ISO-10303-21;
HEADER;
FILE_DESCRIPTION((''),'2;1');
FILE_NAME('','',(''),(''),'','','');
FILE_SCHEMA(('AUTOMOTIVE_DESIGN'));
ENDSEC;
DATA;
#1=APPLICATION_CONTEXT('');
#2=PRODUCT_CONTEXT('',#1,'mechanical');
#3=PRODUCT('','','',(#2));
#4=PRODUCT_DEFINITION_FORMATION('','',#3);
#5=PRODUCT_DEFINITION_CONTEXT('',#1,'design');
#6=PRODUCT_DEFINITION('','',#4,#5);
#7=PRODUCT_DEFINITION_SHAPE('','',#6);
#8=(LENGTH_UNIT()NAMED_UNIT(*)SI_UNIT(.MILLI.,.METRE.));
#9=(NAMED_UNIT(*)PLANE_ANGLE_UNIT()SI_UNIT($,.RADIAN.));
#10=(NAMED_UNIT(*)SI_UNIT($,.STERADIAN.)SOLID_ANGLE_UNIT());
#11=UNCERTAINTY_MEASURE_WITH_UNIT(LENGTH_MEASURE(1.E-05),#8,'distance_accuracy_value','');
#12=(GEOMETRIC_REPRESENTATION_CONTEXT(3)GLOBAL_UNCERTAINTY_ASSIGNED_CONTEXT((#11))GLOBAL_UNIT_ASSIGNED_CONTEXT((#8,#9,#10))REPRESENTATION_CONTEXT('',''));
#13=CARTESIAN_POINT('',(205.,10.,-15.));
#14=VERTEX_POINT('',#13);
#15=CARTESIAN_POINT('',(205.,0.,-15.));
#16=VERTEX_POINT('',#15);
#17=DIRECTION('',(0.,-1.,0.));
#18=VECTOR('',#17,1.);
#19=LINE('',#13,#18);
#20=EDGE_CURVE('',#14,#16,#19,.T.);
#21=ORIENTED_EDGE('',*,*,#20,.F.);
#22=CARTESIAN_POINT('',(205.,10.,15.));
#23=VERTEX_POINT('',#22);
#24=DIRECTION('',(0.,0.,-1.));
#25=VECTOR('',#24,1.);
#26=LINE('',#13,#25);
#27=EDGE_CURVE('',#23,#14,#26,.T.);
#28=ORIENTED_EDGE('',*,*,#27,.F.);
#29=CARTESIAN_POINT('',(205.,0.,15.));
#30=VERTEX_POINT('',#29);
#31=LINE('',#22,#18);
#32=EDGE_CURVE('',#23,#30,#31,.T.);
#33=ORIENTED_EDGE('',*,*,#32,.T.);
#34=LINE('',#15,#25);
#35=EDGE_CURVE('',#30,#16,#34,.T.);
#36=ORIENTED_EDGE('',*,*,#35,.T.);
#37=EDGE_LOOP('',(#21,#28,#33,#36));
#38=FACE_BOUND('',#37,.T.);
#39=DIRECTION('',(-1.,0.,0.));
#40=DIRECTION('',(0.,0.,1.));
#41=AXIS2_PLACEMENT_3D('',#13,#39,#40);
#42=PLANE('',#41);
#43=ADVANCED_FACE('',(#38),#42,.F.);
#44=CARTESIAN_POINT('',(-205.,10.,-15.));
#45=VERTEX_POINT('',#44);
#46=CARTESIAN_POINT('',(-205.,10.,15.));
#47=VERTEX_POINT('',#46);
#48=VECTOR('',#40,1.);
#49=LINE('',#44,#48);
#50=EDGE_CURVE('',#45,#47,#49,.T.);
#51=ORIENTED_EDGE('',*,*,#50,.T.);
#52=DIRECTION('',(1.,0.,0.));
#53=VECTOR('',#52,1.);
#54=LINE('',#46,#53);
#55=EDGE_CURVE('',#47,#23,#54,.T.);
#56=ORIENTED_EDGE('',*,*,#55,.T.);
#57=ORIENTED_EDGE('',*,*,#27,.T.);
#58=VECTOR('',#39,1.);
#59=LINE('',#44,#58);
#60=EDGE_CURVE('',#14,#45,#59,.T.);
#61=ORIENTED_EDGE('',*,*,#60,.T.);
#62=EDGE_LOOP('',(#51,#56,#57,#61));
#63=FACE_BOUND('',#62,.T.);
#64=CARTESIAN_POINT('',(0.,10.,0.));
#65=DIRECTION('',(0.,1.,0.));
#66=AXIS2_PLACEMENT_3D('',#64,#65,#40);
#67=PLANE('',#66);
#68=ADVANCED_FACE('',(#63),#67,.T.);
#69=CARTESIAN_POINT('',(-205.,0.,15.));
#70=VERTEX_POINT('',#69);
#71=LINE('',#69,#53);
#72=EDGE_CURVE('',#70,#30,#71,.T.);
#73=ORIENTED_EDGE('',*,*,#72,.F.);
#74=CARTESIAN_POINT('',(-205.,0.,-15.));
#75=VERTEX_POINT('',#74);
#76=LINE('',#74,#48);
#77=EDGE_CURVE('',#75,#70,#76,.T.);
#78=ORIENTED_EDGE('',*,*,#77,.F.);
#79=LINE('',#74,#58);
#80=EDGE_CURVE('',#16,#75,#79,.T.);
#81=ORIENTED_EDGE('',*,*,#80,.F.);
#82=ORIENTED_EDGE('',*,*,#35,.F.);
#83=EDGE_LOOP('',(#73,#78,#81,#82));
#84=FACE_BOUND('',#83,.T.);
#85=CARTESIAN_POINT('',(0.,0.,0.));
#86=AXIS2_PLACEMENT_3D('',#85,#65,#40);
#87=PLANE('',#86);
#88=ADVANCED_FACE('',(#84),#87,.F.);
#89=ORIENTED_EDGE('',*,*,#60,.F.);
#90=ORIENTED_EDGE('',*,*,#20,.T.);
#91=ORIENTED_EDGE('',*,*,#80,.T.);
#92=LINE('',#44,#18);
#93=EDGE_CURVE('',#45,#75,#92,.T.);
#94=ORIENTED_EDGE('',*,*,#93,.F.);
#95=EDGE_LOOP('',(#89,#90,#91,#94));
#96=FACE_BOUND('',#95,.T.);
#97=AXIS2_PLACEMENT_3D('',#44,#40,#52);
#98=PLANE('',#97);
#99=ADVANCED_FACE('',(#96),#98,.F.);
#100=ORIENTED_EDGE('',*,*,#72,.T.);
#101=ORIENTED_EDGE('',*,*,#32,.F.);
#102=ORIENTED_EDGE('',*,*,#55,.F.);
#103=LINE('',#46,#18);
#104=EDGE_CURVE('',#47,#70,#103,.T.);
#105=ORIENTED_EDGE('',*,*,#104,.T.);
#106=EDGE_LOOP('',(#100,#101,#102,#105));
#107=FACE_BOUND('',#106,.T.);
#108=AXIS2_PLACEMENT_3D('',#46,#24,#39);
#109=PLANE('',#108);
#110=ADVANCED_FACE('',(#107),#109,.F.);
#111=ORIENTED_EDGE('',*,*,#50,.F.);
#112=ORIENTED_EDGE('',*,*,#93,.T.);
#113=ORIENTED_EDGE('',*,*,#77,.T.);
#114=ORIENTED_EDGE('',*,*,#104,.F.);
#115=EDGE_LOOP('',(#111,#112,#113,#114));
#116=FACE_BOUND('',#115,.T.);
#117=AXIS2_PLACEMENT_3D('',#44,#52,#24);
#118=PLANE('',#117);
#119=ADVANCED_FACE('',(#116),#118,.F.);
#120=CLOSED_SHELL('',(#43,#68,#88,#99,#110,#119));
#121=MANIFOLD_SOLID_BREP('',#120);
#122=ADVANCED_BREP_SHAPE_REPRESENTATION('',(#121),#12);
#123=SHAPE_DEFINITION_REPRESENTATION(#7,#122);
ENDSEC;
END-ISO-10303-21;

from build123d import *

# Parameters (mm, degrees)
SKETCH1_W           = 410
SKETCH1_H           = 30
BOSS_EXTRUDE1_DEPTH = 10


with BuildPart() as part:
    # Sketch1 → Boss-Extrude1 (new body)
    with BuildSketch(Plane(origin=(0, 0, 0), x_dir=(1, 0, 0), z_dir=(0, 1, 0))):
        Rectangle(SKETCH1_W, SKETCH1_H)
    extrude(amount=BOSS_EXTRUDE1_DEPTH)


solid = part.part
